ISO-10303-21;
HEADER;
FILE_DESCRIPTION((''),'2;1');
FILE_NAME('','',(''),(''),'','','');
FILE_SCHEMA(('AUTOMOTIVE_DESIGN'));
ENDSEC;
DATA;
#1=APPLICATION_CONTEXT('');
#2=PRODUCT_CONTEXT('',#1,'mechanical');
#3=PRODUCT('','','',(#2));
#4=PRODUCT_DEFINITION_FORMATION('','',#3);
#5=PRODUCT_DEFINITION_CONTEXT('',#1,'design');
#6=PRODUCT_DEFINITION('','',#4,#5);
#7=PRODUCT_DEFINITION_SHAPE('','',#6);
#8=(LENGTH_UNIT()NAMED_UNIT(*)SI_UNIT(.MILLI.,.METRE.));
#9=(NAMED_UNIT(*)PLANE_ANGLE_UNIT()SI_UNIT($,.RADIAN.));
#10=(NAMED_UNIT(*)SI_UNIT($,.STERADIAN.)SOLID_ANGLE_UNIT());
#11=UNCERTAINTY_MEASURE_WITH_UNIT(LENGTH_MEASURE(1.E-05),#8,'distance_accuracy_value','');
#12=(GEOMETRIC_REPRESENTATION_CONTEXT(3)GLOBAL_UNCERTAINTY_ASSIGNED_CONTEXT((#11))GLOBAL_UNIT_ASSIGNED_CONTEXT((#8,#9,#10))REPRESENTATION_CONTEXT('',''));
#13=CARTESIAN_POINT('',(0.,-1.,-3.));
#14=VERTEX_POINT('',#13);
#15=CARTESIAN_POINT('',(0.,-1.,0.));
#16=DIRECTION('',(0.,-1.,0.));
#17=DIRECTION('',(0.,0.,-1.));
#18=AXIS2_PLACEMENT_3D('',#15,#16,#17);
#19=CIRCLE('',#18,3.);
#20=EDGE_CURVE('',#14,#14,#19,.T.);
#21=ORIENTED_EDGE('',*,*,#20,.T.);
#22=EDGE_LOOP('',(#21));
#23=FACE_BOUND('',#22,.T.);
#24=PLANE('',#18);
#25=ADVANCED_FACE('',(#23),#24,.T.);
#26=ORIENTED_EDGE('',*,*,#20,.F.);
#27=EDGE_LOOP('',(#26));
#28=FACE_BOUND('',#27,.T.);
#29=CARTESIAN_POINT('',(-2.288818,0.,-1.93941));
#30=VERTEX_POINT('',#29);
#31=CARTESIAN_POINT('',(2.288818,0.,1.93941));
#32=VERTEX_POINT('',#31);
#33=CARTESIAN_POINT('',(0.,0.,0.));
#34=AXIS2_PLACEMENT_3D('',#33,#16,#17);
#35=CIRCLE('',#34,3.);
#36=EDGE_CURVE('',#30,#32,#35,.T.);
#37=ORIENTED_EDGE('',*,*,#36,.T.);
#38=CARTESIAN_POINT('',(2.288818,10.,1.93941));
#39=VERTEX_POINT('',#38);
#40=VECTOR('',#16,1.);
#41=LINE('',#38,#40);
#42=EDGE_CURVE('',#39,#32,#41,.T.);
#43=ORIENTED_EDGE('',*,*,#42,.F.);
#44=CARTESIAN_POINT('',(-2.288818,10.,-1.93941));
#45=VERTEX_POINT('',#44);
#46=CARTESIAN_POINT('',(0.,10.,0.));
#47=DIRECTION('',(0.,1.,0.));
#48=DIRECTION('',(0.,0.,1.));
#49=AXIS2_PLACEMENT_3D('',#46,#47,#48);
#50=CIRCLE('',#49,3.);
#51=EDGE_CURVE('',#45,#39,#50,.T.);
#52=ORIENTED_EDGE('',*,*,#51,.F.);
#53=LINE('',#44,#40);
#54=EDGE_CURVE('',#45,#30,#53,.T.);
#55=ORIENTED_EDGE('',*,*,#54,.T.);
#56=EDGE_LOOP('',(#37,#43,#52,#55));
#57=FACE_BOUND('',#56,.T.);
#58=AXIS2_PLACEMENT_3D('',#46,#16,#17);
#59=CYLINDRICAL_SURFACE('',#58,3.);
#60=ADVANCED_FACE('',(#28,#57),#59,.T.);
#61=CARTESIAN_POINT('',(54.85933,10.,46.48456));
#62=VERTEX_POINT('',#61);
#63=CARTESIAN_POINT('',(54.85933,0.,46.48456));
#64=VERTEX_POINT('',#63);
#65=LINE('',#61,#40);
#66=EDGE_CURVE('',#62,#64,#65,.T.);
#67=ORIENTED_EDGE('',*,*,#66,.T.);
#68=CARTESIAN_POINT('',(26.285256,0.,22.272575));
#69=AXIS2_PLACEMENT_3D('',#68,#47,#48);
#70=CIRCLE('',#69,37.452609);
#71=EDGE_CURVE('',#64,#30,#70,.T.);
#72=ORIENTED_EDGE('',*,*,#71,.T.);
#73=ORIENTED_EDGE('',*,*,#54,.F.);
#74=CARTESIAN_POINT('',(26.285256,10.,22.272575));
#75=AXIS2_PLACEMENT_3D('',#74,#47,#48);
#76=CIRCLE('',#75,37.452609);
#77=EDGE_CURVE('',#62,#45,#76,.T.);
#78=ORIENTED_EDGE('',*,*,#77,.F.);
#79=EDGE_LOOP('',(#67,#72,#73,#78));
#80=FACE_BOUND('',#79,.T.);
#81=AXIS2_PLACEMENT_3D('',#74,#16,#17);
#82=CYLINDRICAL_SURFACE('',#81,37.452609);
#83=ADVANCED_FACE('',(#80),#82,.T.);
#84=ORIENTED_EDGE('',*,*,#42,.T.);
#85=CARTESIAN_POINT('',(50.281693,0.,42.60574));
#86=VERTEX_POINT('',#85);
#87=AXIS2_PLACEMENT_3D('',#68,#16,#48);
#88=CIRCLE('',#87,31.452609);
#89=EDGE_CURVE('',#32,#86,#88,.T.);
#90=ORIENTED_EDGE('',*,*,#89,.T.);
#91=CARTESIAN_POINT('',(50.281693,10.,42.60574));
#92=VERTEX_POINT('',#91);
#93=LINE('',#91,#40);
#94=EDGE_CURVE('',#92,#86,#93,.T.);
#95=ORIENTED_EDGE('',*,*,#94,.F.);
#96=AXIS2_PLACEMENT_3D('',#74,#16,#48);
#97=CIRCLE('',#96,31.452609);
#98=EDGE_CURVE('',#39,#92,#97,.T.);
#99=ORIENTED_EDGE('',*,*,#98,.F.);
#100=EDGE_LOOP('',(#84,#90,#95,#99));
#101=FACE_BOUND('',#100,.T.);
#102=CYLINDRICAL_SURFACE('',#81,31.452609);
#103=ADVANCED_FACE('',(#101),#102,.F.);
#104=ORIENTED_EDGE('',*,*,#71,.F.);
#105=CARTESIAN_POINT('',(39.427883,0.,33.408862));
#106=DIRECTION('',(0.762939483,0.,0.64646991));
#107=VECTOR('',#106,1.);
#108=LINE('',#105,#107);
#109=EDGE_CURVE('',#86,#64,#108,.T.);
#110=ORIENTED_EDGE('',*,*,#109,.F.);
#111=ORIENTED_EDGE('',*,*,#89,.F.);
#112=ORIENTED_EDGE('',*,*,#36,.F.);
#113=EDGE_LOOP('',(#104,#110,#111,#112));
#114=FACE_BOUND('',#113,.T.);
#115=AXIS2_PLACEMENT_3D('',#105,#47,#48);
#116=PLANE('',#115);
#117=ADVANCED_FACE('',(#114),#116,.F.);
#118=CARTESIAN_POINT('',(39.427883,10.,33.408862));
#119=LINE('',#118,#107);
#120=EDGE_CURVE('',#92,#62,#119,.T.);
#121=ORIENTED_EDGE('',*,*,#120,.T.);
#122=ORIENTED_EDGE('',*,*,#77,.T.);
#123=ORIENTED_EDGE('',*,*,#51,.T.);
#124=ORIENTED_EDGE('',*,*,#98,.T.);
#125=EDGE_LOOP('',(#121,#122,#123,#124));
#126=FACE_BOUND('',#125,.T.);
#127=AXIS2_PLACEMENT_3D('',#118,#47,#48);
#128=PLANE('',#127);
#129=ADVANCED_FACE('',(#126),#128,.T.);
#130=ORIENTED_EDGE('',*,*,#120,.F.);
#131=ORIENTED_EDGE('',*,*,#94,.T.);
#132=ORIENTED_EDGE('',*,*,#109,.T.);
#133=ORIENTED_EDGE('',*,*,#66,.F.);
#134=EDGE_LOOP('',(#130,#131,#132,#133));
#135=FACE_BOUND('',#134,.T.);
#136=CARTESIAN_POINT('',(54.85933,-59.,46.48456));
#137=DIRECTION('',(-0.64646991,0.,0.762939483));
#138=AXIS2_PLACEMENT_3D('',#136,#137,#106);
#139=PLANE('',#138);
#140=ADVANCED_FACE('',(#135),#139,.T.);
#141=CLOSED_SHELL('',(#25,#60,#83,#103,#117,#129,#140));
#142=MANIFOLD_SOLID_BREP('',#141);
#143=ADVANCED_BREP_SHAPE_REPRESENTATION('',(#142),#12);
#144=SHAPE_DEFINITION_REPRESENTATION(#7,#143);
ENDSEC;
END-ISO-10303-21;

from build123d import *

# Parameters (mm, degrees)
BOSS_EXTRUDE1_DEPTH     = 10
BOSS_EXTRUDE2_START     = 1
SKETCH3_R               = 3
BOSS_EXTRUDE2_DEPTH     = 1
CUT_EXTRUDE1_DEPTH      = 59
CUT_EXTRUDE1_DEPTH_BACK = 104


with BuildPart() as part:
    # Sketch2 → Boss-Extrude1 (new body)
    with BuildSketch(Plane(origin=(0, 0, 0), x_dir=(1, 0, 0), z_dir=(0, 1, 0))):
        with BuildLine():
            ThreePointArc((54.859329632, -46.484559643), (50.497240278, 6.301499085), (-2.28881845, 1.939409731))
            ThreePointArc((-2.28881845, 1.939409731), (-1.939409731, -2.28881845), (2.28881845, -1.939409731))
            ThreePointArc((2.28881845, -1.939409731), (46.618420816, 1.723862186), (50.281692732, -42.605740181))
            ThreePointArc((50.281692732, -42.605740181), (50.631101451, -46.833968361), (54.859329632, -46.484559643))
        make_face()
    extrude(amount=BOSS_EXTRUDE1_DEPTH)

    # Sketch3 → Boss-Extrude2 (add)
    with BuildSketch(Plane.XZ.offset(BOSS_EXTRUDE2_START)):
        with Locations(Location((0, 0, 0), (0, 0, 270))):
            Circle(SKETCH3_R)
    extrude(amount=-BOSS_EXTRUDE2_DEPTH)

    # Sketch4 → Cut-Extrude1 (cut, two sides: drawn at the far end of the back side and taken through both)
    with BuildSketch(Plane.XZ.offset(-CUT_EXTRUDE1_DEPTH_BACK)):
        with BuildLine():
            Line((54.859329632, 46.484559643), (50.281692732, 42.605740181))
            ThreePointArc((50.281692732, 42.605740181), (49.580702363, 44.792219186), (50.631101451, 46.833968361))
            ThreePointArc((50.631101451, 46.833968361), (52.817580456, 47.534958731), (54.859329632, 46.484559643))
        make_face()
    extrude(amount=CUT_EXTRUDE1_DEPTH + CUT_EXTRUDE1_DEPTH_BACK, mode=Mode.SUBTRACT)


solid = part.part
